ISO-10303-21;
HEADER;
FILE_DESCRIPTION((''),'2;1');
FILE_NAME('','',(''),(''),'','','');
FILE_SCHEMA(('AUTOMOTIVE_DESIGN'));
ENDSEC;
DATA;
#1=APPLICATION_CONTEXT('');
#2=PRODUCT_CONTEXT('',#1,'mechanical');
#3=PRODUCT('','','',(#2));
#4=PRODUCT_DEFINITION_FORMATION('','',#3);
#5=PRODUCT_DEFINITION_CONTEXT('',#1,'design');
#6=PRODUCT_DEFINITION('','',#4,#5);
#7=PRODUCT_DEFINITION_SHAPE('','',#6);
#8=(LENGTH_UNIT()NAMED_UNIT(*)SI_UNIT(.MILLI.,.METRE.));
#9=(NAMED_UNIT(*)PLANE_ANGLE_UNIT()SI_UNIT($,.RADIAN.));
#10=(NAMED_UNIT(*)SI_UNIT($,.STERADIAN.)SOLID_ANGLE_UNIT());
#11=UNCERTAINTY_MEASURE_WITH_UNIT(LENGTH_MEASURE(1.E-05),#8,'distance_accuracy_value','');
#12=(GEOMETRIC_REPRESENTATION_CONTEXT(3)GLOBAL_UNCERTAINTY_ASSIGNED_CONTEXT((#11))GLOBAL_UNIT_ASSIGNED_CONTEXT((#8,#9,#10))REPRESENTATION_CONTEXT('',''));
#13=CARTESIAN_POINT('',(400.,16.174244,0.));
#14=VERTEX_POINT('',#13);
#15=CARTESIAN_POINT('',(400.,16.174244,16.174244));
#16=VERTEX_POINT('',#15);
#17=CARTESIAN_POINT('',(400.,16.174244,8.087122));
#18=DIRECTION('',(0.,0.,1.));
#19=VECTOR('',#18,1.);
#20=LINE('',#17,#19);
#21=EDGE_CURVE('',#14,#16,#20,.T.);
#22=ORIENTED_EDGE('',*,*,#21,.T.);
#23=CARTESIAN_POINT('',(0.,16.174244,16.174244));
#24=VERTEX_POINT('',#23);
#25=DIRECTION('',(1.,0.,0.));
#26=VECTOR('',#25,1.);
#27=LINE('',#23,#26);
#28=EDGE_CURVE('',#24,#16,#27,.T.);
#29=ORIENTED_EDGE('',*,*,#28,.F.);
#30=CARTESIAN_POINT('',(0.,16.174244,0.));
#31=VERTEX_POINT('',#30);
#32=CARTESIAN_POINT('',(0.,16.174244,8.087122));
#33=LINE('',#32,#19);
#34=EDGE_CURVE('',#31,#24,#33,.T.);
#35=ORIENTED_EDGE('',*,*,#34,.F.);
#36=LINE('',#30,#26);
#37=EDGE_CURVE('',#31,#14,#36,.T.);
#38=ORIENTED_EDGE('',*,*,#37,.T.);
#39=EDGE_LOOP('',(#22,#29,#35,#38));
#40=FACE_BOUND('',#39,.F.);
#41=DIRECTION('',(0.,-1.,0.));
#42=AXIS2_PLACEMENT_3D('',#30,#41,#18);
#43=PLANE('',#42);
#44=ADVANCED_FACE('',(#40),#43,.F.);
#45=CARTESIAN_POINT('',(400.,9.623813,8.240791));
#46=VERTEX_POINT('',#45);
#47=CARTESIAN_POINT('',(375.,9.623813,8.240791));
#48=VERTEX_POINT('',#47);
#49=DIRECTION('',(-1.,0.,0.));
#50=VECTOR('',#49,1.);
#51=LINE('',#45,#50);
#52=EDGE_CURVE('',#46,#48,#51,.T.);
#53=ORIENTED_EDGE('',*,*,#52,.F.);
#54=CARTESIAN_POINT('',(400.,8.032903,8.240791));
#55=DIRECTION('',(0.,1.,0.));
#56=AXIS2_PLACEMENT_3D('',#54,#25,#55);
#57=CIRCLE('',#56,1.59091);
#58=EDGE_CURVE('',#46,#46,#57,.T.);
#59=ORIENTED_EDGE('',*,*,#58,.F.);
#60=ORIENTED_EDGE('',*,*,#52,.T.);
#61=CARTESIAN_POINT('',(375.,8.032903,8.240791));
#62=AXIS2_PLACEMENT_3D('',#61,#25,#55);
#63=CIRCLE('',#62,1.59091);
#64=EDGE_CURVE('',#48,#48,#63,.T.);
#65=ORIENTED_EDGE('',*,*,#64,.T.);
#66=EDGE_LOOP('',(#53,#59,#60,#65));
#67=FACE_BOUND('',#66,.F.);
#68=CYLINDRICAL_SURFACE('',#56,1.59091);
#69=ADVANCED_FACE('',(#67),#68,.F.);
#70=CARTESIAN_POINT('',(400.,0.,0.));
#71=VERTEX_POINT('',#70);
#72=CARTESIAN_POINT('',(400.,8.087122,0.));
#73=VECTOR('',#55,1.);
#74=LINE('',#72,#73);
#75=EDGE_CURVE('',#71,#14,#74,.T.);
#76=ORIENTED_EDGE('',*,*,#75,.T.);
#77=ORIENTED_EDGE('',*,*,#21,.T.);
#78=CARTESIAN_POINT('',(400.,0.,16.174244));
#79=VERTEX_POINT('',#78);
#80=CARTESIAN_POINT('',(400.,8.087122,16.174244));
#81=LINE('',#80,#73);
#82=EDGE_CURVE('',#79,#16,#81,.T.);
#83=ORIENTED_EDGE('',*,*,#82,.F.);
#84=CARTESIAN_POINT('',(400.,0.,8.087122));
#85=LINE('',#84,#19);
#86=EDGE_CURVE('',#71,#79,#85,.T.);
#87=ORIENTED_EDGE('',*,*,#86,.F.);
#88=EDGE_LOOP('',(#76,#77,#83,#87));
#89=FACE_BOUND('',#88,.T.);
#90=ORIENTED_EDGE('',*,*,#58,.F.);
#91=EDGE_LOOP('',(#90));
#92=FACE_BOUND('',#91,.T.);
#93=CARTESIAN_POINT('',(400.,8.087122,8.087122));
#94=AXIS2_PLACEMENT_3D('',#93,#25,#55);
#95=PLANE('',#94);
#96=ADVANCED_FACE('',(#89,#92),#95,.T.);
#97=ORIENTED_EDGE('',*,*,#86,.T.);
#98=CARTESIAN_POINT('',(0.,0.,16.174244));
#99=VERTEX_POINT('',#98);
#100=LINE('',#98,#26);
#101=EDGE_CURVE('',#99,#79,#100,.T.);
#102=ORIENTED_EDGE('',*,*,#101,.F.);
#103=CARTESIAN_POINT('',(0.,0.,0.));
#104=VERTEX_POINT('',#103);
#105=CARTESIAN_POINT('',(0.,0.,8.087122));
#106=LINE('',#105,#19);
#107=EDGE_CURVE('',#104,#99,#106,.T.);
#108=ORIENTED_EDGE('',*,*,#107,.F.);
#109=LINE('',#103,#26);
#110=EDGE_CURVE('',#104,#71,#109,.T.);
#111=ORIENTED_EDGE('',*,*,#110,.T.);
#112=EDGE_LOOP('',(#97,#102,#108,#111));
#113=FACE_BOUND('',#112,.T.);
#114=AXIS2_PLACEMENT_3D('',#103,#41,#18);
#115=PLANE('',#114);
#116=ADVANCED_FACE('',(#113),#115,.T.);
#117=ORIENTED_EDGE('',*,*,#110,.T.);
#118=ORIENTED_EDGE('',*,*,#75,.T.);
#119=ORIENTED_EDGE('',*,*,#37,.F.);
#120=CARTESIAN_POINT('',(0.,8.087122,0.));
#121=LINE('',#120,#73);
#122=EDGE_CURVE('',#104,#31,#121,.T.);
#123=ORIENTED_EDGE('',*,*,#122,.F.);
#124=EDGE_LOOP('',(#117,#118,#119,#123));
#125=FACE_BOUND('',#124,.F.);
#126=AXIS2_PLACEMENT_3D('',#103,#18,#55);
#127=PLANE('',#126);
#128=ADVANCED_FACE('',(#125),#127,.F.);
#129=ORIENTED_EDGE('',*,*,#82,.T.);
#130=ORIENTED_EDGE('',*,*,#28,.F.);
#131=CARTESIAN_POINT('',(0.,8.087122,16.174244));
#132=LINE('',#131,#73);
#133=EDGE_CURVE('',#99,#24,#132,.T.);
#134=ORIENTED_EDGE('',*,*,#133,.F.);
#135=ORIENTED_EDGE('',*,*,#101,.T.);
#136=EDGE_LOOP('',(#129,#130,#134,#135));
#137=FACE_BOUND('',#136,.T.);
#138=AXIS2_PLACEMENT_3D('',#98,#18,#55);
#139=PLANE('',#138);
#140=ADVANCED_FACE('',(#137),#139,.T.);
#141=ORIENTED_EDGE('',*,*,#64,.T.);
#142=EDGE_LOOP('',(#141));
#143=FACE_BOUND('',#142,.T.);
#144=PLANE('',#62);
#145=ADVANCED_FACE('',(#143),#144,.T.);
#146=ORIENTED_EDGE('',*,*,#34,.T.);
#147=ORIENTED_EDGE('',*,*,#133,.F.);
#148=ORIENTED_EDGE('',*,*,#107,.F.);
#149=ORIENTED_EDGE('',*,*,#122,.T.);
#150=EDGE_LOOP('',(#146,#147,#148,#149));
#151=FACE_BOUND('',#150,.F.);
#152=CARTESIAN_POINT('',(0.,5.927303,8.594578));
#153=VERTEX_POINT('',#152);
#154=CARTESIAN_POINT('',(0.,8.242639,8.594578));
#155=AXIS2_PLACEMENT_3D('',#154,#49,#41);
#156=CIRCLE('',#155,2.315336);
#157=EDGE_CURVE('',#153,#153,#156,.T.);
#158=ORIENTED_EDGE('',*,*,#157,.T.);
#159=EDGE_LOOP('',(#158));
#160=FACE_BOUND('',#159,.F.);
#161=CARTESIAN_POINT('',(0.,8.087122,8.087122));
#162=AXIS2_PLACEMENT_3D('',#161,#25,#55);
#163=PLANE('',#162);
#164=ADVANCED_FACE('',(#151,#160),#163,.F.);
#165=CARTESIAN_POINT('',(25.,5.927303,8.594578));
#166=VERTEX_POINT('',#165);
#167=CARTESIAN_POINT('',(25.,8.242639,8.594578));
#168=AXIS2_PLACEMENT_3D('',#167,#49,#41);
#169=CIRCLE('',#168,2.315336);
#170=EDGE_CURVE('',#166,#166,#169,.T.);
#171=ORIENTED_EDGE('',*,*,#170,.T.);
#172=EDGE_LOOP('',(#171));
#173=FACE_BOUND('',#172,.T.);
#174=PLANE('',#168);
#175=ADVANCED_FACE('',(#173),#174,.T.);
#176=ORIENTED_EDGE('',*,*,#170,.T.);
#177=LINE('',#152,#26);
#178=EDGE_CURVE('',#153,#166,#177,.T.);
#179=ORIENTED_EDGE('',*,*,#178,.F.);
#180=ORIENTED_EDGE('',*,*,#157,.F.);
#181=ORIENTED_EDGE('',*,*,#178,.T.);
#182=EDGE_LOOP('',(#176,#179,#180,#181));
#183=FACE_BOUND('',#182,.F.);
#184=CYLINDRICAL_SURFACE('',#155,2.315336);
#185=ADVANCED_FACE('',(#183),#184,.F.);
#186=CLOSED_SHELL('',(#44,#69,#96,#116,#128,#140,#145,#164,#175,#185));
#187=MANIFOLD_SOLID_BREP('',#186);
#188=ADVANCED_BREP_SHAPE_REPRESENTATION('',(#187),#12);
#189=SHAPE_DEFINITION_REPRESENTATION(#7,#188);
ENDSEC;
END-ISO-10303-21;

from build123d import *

# Parameters (mm, degrees)
F0_W     = 16.174244
F0_H     = 16.174244
F1_DEPTH = 400
F2_R     = 2.315336
F3_DEPTH = 25
F4_R     = 1.59091
F5_DEPTH = 25


with BuildPart() as f1:
    # F0 (on Right) → F1 (new body)
    with BuildSketch(Plane.YZ):
        with Locations((8.087122, 8.087122)):
            Rectangle(F0_W, F0_H)
    extrude(amount=F1_DEPTH)

    # F2 (on face) → F3 (cut)
    with BuildSketch(Plane(origin=(0, 0, 0), x_dir=(0, -1, 0), z_dir=(-1, 0, 0))):
        with Locations((-8.242639, 8.594578)):
            Circle(F2_R)
    extrude(amount=-F3_DEPTH, mode=Mode.SUBTRACT)

    # F4 (on face) → F5 (cut)
    with BuildSketch(Plane.YZ.offset(400)):
        with Locations((8.032903, 8.240791)):
            Circle(F4_R)
    extrude(amount=-F5_DEPTH, mode=Mode.SUBTRACT)


solid = f1.part
